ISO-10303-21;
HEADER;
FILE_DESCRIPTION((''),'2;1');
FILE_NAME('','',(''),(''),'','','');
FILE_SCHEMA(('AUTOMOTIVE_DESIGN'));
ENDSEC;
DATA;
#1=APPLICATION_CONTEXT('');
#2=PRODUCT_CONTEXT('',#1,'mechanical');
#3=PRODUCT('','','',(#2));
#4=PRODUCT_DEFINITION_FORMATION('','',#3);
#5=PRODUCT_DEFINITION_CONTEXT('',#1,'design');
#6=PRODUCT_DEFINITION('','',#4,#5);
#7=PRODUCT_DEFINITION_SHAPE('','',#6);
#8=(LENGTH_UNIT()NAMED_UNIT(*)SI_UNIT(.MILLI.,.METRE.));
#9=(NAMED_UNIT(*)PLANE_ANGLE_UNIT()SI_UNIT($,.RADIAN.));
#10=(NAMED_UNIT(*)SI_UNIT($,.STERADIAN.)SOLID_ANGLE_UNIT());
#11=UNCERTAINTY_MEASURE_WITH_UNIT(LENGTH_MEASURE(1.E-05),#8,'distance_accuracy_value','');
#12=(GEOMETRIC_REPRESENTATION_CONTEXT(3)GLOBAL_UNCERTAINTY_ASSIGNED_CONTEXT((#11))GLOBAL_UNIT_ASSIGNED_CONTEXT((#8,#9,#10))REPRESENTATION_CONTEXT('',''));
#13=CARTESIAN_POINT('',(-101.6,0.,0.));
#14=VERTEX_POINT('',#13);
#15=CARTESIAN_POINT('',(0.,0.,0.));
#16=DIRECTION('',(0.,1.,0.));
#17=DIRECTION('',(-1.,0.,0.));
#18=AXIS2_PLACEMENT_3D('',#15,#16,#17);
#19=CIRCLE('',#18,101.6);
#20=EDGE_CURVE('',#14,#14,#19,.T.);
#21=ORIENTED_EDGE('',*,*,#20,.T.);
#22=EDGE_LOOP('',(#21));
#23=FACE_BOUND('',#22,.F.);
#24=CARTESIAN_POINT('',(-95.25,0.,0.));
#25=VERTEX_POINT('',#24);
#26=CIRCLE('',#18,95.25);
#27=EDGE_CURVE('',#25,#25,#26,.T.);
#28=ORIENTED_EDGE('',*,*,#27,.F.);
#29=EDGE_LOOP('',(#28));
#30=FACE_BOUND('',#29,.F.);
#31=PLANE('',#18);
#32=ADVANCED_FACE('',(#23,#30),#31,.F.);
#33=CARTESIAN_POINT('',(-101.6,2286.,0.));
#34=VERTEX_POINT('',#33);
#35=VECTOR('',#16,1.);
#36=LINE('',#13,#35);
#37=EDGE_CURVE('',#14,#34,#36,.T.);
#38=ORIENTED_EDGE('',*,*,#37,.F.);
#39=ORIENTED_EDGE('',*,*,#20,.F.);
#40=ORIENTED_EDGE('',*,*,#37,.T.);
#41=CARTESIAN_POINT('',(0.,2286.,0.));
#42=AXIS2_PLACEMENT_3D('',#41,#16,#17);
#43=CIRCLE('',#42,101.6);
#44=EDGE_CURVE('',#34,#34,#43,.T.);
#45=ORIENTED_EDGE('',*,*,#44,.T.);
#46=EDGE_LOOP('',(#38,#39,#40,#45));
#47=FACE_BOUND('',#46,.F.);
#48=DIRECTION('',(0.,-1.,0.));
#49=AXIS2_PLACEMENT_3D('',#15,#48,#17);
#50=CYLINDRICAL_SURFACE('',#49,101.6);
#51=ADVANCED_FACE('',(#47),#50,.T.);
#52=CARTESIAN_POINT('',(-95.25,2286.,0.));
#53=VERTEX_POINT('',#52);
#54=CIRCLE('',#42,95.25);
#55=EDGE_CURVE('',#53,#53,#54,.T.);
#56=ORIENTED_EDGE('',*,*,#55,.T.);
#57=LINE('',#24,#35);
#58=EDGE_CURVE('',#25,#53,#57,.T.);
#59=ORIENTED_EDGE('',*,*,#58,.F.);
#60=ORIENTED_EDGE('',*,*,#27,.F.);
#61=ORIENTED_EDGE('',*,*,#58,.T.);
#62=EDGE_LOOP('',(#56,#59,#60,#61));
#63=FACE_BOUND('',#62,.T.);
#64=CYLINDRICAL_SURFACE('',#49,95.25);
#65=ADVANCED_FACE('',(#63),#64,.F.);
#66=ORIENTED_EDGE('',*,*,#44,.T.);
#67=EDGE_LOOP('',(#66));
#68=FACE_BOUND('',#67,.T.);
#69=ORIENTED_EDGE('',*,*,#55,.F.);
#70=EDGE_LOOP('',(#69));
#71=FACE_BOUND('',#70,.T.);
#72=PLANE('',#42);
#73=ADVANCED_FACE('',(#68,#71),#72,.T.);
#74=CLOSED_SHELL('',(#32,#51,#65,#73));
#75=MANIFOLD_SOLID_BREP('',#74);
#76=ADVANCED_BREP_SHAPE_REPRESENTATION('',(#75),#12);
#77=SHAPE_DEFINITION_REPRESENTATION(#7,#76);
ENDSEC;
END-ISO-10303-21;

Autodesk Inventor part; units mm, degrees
ref_plane "YZ Plane" through (0, 0, 0) normal (1, 0, 0) x (0, 1, 0)
ref_plane "XZ Plane" through (0, 0, 0) normal (0, 1, 0) x (-1, 0, 0)
ref_plane "XY Plane" through (0, 0, 0) normal (0, 0, 1) x (1, 0, 0)
sketch "Sketch1" plane through (0, 0, 0) normal (0, 1, 0) x (-1, 0, 0)
  circle A0 centre (0, 0) radius 101.6
  circle A1 centre (0, 0) radius 95.25
  dimension "d0" = 203.2
  dimension "d1" = 190.5
extrude "Extrusion1" add sketch "Sketch1" along normal blind 2286
properties part number "8 in AL casing" material "Aluminum 6061"
